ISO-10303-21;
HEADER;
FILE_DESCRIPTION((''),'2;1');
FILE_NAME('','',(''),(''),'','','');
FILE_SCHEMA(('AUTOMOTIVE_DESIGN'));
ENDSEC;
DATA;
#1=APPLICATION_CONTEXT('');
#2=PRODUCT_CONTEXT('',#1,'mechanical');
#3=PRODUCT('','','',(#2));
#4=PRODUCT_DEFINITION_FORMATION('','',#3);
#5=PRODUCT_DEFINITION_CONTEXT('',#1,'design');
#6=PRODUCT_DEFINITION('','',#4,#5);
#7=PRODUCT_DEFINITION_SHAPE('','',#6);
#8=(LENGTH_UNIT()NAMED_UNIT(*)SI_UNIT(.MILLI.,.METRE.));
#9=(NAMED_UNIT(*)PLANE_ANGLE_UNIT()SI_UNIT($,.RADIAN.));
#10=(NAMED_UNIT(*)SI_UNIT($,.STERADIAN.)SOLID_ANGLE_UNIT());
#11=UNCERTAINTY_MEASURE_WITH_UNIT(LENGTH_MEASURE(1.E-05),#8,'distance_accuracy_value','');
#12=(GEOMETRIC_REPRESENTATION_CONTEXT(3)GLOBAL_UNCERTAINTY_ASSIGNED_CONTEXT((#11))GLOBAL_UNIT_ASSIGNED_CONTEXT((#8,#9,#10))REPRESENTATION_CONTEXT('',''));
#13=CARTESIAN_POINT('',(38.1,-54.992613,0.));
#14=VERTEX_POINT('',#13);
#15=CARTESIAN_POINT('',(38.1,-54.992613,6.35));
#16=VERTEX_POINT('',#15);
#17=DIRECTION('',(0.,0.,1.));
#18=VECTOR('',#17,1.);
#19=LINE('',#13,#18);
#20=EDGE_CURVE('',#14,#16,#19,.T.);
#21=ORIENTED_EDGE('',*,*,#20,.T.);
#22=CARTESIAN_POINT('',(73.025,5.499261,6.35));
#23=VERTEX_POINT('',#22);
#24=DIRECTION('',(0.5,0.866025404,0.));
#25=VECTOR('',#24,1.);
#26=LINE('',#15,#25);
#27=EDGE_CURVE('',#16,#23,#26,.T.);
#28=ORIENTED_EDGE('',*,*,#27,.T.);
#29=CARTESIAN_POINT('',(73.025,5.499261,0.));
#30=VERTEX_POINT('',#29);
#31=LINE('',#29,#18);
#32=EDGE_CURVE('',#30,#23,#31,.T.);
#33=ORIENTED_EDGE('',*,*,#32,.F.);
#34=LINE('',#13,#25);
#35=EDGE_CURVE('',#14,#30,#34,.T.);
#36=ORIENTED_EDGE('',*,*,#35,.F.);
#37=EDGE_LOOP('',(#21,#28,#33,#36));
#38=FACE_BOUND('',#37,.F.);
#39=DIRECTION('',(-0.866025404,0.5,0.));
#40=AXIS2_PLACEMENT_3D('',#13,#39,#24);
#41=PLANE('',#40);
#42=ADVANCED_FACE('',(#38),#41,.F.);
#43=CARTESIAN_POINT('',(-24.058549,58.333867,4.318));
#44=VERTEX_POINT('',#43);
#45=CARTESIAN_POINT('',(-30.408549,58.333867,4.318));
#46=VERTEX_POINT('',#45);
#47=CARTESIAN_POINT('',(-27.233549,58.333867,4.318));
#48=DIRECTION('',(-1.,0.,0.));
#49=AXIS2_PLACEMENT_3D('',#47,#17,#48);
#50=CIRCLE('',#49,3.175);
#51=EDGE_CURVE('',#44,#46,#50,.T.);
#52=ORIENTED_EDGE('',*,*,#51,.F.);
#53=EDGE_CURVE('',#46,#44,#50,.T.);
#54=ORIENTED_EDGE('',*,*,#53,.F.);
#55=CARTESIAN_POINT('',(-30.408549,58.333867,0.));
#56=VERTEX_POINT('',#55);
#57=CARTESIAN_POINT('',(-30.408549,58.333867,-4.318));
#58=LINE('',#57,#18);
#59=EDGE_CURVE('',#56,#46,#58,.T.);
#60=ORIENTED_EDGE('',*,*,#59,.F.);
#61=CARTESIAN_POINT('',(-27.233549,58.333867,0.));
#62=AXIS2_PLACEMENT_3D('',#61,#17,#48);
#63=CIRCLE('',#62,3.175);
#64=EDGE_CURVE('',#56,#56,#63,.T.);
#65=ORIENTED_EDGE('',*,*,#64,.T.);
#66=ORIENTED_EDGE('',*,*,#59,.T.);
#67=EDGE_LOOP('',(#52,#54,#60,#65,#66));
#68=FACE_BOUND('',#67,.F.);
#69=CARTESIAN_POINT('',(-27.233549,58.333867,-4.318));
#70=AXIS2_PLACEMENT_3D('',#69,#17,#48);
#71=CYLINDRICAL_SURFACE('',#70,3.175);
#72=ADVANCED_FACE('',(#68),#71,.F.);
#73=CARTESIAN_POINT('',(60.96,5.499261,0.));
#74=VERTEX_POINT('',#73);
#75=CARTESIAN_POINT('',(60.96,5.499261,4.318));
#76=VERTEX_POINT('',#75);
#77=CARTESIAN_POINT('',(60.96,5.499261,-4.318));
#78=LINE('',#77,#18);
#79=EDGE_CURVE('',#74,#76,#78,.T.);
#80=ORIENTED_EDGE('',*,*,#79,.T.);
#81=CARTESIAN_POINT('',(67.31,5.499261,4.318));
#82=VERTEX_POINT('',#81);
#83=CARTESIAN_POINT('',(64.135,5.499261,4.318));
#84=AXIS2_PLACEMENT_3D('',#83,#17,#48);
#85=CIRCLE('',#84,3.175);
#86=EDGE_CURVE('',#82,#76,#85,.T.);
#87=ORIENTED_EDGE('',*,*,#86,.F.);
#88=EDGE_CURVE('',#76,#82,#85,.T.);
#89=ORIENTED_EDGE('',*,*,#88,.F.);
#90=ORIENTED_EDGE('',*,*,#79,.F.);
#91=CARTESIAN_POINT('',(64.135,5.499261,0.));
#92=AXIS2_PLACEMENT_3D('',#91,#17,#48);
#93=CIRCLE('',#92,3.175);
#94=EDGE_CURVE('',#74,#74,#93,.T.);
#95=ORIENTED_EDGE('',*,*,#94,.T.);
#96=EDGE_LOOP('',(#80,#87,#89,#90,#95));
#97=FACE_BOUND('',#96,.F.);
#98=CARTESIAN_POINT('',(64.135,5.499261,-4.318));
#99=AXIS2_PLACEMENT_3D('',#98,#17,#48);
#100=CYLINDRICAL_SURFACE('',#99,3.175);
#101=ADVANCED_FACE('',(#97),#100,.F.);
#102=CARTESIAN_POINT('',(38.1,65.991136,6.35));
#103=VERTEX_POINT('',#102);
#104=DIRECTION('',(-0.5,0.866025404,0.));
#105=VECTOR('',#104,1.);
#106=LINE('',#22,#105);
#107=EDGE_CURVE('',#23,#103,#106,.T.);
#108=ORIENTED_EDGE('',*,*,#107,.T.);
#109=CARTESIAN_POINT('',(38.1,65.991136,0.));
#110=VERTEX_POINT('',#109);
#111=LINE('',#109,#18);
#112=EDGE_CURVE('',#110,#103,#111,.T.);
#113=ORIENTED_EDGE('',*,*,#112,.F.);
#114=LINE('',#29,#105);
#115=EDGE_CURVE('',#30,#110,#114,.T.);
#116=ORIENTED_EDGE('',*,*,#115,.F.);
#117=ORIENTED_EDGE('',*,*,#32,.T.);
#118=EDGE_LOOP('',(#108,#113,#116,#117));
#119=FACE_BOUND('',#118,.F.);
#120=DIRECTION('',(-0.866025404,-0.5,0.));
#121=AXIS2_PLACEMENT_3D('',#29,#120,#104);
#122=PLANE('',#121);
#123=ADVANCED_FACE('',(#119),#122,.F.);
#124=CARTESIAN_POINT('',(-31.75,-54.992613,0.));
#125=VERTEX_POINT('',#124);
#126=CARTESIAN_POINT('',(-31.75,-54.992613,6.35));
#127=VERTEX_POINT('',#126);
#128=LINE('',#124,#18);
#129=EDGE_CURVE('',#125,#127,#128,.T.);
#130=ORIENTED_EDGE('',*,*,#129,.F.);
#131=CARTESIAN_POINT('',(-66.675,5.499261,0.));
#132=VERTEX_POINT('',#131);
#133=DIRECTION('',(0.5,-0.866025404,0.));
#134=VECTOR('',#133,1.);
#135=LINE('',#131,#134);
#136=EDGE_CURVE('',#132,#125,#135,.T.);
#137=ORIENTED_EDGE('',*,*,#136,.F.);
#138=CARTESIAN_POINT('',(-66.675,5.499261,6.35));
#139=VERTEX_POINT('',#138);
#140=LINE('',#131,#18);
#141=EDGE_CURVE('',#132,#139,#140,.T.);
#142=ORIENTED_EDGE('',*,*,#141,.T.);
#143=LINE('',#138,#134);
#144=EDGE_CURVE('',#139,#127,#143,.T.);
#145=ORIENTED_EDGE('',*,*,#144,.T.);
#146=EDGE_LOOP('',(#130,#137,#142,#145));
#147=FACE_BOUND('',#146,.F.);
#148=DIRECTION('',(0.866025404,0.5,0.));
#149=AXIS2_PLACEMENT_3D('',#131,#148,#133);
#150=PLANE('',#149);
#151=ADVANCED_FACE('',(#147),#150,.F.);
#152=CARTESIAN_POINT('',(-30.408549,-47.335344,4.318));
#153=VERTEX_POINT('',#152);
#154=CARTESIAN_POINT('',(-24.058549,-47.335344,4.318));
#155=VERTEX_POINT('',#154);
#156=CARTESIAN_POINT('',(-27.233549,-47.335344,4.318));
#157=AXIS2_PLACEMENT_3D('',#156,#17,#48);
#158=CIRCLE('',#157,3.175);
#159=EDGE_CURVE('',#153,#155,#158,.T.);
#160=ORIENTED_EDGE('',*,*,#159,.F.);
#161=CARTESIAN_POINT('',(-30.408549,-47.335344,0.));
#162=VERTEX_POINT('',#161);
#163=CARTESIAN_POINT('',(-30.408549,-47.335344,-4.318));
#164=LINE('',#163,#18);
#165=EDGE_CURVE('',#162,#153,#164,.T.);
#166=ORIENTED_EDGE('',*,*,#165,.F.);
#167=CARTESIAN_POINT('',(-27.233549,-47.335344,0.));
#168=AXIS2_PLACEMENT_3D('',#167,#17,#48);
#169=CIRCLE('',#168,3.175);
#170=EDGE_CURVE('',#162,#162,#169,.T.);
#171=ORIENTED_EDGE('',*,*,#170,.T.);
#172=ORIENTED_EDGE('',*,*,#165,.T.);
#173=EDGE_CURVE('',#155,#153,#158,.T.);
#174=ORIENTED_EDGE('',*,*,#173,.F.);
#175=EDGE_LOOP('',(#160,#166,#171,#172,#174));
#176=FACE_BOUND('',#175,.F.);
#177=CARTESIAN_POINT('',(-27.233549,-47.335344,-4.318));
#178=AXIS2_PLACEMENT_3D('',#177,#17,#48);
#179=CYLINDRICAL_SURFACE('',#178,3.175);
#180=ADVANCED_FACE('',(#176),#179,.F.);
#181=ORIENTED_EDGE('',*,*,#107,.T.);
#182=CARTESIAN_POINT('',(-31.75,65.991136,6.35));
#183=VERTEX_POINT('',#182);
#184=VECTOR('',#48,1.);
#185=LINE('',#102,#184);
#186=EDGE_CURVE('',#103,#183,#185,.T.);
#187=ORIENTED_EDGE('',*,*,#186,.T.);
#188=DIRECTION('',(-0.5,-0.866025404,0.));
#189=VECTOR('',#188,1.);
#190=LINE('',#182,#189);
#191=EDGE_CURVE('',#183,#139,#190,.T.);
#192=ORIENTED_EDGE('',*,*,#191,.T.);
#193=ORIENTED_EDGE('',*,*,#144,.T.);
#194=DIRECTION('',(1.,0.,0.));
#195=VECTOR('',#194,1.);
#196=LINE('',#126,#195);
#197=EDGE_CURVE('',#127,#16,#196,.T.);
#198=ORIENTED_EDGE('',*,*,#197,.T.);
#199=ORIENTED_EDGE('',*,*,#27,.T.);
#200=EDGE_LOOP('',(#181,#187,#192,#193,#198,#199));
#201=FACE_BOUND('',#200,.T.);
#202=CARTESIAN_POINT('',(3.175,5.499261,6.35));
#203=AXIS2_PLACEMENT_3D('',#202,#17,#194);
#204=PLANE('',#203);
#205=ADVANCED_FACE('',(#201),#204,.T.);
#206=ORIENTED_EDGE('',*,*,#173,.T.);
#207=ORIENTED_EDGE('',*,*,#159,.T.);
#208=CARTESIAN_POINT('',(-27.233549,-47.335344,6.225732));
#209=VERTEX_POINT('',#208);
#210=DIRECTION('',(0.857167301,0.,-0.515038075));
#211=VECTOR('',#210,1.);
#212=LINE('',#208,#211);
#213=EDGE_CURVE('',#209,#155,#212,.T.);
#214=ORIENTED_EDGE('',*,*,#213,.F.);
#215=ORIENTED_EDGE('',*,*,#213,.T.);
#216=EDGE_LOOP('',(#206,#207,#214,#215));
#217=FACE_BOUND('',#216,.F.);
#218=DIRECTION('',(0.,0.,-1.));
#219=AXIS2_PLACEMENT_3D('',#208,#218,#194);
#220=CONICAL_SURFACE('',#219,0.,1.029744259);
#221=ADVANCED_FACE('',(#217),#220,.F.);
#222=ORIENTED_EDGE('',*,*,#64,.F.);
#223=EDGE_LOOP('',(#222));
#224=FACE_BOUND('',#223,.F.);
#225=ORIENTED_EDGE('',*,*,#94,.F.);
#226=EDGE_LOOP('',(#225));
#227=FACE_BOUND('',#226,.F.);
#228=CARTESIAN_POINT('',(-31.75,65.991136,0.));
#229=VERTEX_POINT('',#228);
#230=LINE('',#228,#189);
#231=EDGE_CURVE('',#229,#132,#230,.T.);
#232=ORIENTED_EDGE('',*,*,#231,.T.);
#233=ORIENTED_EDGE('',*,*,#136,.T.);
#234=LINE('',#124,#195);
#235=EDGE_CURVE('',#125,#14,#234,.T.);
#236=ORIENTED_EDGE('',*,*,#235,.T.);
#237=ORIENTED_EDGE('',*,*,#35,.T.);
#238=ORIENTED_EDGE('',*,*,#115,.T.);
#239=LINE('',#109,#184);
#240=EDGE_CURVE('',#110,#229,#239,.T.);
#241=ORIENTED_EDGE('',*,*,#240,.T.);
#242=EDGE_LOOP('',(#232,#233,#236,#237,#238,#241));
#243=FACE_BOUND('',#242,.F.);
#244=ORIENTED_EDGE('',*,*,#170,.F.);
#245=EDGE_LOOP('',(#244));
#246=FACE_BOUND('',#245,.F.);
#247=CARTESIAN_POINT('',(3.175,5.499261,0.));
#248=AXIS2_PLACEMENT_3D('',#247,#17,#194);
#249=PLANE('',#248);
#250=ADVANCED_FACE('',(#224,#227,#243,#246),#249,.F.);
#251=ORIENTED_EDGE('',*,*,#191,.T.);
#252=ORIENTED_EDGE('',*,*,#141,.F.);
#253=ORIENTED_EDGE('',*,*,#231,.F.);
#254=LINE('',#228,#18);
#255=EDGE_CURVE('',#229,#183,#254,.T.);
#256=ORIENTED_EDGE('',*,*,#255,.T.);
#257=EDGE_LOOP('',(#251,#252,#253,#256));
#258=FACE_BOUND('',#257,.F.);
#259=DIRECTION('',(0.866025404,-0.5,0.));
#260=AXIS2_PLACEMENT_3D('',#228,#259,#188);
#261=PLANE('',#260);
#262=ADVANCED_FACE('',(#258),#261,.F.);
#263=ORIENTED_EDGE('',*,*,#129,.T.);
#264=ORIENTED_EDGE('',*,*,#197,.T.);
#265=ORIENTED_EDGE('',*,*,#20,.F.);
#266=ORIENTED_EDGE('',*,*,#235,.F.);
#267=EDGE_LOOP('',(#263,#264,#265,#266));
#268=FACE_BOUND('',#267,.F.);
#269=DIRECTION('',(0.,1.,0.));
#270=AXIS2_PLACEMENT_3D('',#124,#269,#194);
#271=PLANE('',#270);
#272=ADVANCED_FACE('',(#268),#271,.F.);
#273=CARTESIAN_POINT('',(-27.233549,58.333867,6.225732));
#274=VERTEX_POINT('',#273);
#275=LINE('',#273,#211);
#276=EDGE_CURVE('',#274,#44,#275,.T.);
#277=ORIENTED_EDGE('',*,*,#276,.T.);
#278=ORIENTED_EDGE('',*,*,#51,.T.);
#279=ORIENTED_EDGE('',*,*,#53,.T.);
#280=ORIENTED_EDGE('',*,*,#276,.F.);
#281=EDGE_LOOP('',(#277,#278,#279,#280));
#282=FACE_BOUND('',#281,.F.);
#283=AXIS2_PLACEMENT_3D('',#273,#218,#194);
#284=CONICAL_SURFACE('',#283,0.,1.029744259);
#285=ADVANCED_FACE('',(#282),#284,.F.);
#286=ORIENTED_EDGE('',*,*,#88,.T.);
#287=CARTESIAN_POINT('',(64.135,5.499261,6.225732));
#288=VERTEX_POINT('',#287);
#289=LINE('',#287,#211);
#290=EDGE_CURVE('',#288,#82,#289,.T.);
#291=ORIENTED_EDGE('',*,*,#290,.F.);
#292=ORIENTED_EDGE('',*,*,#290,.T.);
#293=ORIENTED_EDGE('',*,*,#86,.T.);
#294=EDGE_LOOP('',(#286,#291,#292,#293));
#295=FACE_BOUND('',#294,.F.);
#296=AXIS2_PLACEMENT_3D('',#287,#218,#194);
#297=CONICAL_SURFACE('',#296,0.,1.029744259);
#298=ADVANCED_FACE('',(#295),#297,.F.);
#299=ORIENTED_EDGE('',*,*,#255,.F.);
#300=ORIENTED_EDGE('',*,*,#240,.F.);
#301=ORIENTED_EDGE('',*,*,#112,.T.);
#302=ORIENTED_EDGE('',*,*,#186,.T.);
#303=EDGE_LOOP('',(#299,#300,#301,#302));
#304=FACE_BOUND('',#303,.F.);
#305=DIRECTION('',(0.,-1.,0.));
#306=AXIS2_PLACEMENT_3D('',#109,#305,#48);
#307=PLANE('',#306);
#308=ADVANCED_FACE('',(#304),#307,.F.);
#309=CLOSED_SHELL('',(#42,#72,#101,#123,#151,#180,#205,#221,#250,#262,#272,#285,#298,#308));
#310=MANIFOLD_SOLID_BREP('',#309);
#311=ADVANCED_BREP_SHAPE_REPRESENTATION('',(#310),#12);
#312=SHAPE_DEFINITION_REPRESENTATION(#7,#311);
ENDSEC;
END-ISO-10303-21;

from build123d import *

# Parameters (mm, degrees)
F1_DEPTH = 6.35
F2_D     = 6.35
F2_DEPTH = 4.318
F2_TIP   = 1.9077324654


with BuildPart() as f1:
    # F0 (on Top) → F1 (new body)
    with BuildSketch(Plane.XY):
        Polygon((38.1, 65.9911357684), (-31.75, 65.9911357684), (-66.675, 5.499261314), (-31.75, -54.9926131403), (38.1, -54.9926131403), (73.025, 5.499261314), align=None)
    extrude(amount=F1_DEPTH)

    # F2
    with Locations(Plane(origin=(0, 0, 0), x_dir=(1, 0, 0), z_dir=(0, 0, -1))):
        with Locations((-27.2335491394, -58.3338665669), (-27.2335491394, 47.3353439388), (64.135, -5.499261314)):
            Hole(F2_D / 2, depth=F2_DEPTH)
            with Locations((0, 0, -(F2_DEPTH + F2_TIP / 2))):  # 118° drill point
                Cone(0, F2_D / 2, F2_TIP, mode=Mode.SUBTRACT)


solid = f1.part
